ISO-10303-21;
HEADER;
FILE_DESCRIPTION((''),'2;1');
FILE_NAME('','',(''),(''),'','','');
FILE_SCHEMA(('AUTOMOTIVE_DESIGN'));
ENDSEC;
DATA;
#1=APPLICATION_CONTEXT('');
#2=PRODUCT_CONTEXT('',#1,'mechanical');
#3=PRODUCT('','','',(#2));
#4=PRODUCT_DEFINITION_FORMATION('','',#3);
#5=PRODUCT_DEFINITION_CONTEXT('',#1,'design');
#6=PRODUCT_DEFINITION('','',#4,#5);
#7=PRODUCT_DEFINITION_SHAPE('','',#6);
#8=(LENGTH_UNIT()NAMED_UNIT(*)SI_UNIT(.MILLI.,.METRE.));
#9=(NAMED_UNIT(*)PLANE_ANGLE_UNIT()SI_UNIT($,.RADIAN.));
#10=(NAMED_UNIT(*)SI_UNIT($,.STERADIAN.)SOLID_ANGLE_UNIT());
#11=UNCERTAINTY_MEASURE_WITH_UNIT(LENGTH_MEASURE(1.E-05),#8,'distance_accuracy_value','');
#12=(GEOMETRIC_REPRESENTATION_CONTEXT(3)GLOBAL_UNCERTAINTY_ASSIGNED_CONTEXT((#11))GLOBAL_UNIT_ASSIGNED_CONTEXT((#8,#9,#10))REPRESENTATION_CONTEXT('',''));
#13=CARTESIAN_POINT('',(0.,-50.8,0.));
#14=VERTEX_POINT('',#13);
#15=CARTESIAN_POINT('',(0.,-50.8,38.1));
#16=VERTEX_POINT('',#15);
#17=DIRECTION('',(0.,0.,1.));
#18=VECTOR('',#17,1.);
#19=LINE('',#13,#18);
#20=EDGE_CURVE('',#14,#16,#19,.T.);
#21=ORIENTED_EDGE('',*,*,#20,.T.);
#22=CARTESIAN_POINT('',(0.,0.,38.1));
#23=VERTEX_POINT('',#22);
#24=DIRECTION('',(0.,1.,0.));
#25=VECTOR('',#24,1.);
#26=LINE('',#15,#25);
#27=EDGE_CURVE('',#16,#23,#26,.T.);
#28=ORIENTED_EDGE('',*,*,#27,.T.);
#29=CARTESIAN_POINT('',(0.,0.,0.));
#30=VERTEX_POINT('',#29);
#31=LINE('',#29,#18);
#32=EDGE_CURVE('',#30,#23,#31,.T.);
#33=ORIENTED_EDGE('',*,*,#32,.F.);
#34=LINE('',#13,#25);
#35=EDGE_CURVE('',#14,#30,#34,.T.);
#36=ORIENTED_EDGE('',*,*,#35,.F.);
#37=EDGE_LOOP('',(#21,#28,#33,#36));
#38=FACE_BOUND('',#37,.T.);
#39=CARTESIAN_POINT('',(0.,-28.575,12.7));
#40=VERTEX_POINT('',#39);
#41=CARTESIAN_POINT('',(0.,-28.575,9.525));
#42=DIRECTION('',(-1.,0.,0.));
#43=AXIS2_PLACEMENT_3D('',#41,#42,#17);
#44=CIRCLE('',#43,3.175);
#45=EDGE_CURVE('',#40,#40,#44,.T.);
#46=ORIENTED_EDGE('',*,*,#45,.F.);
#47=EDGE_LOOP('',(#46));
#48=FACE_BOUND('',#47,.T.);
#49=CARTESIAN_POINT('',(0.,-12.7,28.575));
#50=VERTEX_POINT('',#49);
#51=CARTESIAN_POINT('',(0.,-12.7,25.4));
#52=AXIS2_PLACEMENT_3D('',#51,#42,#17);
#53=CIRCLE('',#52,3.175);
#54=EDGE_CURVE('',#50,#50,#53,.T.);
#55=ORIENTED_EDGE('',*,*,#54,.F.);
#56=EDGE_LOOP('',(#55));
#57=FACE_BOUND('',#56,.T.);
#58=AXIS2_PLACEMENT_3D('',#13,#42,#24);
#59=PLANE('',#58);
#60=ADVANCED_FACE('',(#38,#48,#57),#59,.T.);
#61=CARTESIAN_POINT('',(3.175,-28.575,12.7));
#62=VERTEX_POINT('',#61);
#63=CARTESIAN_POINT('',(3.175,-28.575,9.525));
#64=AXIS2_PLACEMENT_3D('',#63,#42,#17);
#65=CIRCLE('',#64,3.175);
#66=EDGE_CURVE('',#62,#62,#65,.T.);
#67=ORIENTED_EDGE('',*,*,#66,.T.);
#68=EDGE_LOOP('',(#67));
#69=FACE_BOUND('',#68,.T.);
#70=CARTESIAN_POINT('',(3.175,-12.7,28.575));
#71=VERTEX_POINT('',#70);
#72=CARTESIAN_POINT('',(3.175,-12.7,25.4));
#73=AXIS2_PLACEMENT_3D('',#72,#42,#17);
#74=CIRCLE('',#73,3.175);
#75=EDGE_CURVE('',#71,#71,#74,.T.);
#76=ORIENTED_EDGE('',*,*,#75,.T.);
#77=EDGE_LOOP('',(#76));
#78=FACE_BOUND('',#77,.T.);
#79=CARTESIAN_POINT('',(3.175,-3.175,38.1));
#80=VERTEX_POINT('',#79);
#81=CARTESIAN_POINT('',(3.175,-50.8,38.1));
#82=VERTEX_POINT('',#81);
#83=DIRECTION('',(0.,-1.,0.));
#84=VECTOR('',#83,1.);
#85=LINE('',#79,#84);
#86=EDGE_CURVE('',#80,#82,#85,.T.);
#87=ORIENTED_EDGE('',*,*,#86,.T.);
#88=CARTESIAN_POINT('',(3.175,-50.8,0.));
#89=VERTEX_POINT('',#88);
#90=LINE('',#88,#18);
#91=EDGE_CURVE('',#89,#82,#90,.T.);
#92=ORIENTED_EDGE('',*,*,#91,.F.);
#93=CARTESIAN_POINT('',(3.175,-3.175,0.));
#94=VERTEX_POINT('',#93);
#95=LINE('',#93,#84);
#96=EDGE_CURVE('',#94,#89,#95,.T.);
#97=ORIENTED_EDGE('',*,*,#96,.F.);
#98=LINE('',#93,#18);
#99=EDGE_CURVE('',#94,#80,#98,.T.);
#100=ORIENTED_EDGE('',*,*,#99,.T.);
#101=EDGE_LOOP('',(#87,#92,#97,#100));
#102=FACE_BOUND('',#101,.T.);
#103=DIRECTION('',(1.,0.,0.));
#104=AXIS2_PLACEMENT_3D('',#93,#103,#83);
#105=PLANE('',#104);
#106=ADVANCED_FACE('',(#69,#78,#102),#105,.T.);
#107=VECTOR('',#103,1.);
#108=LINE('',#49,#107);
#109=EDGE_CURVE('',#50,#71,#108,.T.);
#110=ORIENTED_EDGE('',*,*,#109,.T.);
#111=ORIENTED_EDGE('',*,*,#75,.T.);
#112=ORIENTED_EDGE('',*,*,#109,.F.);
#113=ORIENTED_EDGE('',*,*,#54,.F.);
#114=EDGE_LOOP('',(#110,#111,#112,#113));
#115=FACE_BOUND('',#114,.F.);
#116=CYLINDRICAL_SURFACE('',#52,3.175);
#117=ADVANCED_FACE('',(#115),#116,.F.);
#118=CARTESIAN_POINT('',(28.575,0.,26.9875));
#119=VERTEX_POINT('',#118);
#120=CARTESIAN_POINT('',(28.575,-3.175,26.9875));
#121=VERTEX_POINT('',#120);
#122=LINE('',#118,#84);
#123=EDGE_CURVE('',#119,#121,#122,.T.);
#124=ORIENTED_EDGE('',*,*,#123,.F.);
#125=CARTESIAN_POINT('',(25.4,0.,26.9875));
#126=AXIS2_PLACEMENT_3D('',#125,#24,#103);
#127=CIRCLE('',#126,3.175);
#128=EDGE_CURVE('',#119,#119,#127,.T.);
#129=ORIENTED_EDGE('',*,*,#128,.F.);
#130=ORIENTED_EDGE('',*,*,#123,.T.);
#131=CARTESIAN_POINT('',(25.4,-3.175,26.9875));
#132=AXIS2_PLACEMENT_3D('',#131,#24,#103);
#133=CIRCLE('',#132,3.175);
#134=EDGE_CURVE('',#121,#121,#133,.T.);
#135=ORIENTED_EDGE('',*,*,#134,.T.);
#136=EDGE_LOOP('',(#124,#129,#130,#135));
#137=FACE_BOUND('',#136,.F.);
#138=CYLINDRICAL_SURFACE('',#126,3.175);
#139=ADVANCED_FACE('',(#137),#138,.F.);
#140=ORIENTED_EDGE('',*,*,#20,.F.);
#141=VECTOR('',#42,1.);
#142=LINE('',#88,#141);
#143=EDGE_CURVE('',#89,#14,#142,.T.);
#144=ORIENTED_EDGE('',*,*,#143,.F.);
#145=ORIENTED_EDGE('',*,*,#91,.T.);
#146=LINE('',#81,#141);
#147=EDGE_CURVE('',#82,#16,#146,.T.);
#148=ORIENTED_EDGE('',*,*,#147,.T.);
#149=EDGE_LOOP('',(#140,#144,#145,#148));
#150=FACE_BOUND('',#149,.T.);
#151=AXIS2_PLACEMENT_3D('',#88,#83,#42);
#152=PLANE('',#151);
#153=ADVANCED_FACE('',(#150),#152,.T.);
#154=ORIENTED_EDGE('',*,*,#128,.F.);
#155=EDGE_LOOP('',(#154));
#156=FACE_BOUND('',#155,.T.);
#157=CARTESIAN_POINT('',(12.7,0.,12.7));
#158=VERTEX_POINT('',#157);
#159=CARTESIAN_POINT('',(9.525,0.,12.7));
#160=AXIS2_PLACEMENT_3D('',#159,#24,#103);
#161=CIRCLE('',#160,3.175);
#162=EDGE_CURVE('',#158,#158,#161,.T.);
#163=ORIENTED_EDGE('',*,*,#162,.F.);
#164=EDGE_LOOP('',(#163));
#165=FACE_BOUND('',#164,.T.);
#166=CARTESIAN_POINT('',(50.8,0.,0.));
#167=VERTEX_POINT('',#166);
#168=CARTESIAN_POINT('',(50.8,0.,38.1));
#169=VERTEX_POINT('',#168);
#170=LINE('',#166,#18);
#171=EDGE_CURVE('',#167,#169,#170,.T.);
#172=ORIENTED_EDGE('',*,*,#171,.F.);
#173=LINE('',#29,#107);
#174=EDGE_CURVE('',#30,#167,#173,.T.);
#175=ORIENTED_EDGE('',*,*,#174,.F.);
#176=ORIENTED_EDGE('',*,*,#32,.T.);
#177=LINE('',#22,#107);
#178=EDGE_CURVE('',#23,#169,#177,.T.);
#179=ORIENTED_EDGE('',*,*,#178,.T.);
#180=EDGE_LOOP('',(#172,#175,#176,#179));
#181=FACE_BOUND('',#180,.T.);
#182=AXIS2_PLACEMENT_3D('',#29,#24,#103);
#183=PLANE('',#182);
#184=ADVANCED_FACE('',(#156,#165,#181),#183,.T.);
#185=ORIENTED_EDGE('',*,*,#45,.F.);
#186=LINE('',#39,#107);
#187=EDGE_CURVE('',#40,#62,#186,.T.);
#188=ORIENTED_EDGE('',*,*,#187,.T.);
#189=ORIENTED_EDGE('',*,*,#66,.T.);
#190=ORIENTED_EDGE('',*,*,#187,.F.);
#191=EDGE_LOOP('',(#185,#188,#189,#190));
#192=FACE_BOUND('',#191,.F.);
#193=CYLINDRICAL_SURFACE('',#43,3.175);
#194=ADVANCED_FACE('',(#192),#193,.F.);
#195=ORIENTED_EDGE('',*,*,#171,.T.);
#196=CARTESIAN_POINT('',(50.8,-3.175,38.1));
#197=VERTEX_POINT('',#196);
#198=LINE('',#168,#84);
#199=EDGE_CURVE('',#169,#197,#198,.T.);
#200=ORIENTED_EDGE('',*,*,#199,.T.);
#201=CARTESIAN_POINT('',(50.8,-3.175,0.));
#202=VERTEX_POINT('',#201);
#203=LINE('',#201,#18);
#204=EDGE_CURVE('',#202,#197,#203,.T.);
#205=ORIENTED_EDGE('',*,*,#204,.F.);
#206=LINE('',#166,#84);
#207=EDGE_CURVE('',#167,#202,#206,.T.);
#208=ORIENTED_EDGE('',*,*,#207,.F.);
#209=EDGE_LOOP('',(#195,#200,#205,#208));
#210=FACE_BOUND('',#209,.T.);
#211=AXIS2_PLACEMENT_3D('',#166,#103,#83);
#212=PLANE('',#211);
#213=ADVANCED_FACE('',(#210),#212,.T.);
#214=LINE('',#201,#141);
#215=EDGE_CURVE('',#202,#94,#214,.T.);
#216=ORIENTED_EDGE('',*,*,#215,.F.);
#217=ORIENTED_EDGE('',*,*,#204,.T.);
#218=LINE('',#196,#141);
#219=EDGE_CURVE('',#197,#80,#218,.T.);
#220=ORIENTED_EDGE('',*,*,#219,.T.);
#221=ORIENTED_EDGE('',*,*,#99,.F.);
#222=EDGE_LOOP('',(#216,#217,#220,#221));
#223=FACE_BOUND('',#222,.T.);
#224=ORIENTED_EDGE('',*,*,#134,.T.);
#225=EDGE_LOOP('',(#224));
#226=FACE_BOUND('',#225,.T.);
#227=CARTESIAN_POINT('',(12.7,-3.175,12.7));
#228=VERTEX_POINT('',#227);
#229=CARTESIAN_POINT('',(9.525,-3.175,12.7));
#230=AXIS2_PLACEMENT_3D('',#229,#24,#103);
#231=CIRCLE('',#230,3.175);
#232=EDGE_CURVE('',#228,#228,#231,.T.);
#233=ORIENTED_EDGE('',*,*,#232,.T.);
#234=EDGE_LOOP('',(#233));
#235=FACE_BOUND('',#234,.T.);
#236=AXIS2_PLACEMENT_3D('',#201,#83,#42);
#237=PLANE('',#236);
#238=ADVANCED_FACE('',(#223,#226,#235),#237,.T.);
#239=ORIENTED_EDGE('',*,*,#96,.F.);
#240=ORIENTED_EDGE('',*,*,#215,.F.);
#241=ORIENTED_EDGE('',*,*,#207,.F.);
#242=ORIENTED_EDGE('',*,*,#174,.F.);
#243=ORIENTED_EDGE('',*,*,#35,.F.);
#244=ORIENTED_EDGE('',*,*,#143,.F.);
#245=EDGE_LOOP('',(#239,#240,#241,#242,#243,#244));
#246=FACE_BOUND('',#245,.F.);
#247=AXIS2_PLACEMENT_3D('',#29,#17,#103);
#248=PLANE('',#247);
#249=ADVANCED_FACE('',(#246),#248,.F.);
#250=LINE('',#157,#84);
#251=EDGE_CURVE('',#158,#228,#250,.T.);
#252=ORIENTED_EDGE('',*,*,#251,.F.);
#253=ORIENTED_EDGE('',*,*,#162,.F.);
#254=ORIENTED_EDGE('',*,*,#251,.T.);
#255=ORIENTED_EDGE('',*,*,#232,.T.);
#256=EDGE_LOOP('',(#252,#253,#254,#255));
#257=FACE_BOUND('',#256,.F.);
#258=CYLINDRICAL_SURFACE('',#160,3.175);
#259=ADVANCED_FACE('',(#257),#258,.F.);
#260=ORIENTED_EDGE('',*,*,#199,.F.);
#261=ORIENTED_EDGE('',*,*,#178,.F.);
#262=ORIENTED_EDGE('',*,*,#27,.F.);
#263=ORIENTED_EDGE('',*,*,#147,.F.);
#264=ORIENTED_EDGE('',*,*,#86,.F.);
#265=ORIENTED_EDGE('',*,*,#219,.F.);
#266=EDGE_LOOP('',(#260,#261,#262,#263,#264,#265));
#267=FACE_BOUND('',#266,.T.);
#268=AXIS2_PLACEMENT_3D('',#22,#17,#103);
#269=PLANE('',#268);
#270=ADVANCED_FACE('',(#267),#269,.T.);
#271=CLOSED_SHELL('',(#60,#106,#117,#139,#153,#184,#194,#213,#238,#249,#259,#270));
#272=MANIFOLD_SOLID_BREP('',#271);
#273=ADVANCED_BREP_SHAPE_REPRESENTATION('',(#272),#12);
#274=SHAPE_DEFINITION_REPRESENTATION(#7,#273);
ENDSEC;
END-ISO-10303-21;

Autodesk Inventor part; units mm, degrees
ref_plane "YZ Plane" through (0, 0, 0) normal (1, 0, 0) x (0, 1, 0)
ref_plane "XZ Plane" through (0, 0, 0) normal (0, 1, 0) x (-1, 0, 0)
ref_plane "XY Plane" through (0, 0, 0) normal (0, 0, 1) x (1, 0, 0)
sketch "Sketch1" plane through (0, 0, 0) normal (0, 0, 1) x (1, 0, 0)
  line L0 (0, 0) -> (50.8, 0)
  line L1 (50.8, 0) -> (50.8, -3.175)
  line L2 (50.8, -3.175) -> (3.175, -3.175)
  line L3 (3.175, -3.175) -> (3.175, -50.8)
  line L4 (3.175, -50.8) -> (0, -50.8)
  line L5 (0, -50.8) -> (0, 0)
  dimension "d0" = 3.175
  dimension "d1" = 3.175
  dimension "d2" = 50.8
  dimension "d3" = 50.8
extrude "Extrusion1" add sketch "Sketch1" along normal blind 38.1
sketch "Sketch2" plane through (0, -50.8, 0) normal (-1, 0, 0) x (0, 0, 1)
  circle A0 centre (25.4, 38.1) radius 3.175
  circle A1 centre (9.525, 22.225) radius 3.175
  line L0 (0, 0) -> (0, 50.8) projected
  line L1 (0, 50.8) -> (38.1, 50.8) projected
  line L2 (0, 0) -> (38.1, 0) projected
  dimension "d6" = 6.35
  dimension "d7" = 6.35
  dimension "d8" = 9.525
  dimension "d9" = 25.4
  dimension "d12" = 12.7
  dimension "d13" = 22.225
extrude "Extrusion2" cut sketch "Sketch2" against normal blind 3.175
sketch "Sketch3" plane through (0, 0, 0) normal (0, 1, 0) x (1, 0, 0)
  circle A0 centre (25.4, -26.9875) radius 3.175
  circle A1 centre (9.525, -12.7) radius 3.175
  line L0 (0, 0) -> (0, -38.1) projected
  line L1 (50.8, -38.1) -> (0, -38.1) projected
  line L2 (50.8, 0) -> (50.8, -38.1) projected
  line L3 (0, 0) -> (50.8, 0) projected
  dimension "d14" = 9.525
  dimension "d15" = 11.1125
  dimension "d16" = 25.4
  dimension "d17" = 6.35
  dimension "d18" = 6.35
  dimension "d19" = 12.7
extrude "Extrusion3" cut sketch "Sketch3" against normal blind 25.4 contours A0 | A1
properties part number "15102898-16-P-0804" material "Aluminum 6061"
